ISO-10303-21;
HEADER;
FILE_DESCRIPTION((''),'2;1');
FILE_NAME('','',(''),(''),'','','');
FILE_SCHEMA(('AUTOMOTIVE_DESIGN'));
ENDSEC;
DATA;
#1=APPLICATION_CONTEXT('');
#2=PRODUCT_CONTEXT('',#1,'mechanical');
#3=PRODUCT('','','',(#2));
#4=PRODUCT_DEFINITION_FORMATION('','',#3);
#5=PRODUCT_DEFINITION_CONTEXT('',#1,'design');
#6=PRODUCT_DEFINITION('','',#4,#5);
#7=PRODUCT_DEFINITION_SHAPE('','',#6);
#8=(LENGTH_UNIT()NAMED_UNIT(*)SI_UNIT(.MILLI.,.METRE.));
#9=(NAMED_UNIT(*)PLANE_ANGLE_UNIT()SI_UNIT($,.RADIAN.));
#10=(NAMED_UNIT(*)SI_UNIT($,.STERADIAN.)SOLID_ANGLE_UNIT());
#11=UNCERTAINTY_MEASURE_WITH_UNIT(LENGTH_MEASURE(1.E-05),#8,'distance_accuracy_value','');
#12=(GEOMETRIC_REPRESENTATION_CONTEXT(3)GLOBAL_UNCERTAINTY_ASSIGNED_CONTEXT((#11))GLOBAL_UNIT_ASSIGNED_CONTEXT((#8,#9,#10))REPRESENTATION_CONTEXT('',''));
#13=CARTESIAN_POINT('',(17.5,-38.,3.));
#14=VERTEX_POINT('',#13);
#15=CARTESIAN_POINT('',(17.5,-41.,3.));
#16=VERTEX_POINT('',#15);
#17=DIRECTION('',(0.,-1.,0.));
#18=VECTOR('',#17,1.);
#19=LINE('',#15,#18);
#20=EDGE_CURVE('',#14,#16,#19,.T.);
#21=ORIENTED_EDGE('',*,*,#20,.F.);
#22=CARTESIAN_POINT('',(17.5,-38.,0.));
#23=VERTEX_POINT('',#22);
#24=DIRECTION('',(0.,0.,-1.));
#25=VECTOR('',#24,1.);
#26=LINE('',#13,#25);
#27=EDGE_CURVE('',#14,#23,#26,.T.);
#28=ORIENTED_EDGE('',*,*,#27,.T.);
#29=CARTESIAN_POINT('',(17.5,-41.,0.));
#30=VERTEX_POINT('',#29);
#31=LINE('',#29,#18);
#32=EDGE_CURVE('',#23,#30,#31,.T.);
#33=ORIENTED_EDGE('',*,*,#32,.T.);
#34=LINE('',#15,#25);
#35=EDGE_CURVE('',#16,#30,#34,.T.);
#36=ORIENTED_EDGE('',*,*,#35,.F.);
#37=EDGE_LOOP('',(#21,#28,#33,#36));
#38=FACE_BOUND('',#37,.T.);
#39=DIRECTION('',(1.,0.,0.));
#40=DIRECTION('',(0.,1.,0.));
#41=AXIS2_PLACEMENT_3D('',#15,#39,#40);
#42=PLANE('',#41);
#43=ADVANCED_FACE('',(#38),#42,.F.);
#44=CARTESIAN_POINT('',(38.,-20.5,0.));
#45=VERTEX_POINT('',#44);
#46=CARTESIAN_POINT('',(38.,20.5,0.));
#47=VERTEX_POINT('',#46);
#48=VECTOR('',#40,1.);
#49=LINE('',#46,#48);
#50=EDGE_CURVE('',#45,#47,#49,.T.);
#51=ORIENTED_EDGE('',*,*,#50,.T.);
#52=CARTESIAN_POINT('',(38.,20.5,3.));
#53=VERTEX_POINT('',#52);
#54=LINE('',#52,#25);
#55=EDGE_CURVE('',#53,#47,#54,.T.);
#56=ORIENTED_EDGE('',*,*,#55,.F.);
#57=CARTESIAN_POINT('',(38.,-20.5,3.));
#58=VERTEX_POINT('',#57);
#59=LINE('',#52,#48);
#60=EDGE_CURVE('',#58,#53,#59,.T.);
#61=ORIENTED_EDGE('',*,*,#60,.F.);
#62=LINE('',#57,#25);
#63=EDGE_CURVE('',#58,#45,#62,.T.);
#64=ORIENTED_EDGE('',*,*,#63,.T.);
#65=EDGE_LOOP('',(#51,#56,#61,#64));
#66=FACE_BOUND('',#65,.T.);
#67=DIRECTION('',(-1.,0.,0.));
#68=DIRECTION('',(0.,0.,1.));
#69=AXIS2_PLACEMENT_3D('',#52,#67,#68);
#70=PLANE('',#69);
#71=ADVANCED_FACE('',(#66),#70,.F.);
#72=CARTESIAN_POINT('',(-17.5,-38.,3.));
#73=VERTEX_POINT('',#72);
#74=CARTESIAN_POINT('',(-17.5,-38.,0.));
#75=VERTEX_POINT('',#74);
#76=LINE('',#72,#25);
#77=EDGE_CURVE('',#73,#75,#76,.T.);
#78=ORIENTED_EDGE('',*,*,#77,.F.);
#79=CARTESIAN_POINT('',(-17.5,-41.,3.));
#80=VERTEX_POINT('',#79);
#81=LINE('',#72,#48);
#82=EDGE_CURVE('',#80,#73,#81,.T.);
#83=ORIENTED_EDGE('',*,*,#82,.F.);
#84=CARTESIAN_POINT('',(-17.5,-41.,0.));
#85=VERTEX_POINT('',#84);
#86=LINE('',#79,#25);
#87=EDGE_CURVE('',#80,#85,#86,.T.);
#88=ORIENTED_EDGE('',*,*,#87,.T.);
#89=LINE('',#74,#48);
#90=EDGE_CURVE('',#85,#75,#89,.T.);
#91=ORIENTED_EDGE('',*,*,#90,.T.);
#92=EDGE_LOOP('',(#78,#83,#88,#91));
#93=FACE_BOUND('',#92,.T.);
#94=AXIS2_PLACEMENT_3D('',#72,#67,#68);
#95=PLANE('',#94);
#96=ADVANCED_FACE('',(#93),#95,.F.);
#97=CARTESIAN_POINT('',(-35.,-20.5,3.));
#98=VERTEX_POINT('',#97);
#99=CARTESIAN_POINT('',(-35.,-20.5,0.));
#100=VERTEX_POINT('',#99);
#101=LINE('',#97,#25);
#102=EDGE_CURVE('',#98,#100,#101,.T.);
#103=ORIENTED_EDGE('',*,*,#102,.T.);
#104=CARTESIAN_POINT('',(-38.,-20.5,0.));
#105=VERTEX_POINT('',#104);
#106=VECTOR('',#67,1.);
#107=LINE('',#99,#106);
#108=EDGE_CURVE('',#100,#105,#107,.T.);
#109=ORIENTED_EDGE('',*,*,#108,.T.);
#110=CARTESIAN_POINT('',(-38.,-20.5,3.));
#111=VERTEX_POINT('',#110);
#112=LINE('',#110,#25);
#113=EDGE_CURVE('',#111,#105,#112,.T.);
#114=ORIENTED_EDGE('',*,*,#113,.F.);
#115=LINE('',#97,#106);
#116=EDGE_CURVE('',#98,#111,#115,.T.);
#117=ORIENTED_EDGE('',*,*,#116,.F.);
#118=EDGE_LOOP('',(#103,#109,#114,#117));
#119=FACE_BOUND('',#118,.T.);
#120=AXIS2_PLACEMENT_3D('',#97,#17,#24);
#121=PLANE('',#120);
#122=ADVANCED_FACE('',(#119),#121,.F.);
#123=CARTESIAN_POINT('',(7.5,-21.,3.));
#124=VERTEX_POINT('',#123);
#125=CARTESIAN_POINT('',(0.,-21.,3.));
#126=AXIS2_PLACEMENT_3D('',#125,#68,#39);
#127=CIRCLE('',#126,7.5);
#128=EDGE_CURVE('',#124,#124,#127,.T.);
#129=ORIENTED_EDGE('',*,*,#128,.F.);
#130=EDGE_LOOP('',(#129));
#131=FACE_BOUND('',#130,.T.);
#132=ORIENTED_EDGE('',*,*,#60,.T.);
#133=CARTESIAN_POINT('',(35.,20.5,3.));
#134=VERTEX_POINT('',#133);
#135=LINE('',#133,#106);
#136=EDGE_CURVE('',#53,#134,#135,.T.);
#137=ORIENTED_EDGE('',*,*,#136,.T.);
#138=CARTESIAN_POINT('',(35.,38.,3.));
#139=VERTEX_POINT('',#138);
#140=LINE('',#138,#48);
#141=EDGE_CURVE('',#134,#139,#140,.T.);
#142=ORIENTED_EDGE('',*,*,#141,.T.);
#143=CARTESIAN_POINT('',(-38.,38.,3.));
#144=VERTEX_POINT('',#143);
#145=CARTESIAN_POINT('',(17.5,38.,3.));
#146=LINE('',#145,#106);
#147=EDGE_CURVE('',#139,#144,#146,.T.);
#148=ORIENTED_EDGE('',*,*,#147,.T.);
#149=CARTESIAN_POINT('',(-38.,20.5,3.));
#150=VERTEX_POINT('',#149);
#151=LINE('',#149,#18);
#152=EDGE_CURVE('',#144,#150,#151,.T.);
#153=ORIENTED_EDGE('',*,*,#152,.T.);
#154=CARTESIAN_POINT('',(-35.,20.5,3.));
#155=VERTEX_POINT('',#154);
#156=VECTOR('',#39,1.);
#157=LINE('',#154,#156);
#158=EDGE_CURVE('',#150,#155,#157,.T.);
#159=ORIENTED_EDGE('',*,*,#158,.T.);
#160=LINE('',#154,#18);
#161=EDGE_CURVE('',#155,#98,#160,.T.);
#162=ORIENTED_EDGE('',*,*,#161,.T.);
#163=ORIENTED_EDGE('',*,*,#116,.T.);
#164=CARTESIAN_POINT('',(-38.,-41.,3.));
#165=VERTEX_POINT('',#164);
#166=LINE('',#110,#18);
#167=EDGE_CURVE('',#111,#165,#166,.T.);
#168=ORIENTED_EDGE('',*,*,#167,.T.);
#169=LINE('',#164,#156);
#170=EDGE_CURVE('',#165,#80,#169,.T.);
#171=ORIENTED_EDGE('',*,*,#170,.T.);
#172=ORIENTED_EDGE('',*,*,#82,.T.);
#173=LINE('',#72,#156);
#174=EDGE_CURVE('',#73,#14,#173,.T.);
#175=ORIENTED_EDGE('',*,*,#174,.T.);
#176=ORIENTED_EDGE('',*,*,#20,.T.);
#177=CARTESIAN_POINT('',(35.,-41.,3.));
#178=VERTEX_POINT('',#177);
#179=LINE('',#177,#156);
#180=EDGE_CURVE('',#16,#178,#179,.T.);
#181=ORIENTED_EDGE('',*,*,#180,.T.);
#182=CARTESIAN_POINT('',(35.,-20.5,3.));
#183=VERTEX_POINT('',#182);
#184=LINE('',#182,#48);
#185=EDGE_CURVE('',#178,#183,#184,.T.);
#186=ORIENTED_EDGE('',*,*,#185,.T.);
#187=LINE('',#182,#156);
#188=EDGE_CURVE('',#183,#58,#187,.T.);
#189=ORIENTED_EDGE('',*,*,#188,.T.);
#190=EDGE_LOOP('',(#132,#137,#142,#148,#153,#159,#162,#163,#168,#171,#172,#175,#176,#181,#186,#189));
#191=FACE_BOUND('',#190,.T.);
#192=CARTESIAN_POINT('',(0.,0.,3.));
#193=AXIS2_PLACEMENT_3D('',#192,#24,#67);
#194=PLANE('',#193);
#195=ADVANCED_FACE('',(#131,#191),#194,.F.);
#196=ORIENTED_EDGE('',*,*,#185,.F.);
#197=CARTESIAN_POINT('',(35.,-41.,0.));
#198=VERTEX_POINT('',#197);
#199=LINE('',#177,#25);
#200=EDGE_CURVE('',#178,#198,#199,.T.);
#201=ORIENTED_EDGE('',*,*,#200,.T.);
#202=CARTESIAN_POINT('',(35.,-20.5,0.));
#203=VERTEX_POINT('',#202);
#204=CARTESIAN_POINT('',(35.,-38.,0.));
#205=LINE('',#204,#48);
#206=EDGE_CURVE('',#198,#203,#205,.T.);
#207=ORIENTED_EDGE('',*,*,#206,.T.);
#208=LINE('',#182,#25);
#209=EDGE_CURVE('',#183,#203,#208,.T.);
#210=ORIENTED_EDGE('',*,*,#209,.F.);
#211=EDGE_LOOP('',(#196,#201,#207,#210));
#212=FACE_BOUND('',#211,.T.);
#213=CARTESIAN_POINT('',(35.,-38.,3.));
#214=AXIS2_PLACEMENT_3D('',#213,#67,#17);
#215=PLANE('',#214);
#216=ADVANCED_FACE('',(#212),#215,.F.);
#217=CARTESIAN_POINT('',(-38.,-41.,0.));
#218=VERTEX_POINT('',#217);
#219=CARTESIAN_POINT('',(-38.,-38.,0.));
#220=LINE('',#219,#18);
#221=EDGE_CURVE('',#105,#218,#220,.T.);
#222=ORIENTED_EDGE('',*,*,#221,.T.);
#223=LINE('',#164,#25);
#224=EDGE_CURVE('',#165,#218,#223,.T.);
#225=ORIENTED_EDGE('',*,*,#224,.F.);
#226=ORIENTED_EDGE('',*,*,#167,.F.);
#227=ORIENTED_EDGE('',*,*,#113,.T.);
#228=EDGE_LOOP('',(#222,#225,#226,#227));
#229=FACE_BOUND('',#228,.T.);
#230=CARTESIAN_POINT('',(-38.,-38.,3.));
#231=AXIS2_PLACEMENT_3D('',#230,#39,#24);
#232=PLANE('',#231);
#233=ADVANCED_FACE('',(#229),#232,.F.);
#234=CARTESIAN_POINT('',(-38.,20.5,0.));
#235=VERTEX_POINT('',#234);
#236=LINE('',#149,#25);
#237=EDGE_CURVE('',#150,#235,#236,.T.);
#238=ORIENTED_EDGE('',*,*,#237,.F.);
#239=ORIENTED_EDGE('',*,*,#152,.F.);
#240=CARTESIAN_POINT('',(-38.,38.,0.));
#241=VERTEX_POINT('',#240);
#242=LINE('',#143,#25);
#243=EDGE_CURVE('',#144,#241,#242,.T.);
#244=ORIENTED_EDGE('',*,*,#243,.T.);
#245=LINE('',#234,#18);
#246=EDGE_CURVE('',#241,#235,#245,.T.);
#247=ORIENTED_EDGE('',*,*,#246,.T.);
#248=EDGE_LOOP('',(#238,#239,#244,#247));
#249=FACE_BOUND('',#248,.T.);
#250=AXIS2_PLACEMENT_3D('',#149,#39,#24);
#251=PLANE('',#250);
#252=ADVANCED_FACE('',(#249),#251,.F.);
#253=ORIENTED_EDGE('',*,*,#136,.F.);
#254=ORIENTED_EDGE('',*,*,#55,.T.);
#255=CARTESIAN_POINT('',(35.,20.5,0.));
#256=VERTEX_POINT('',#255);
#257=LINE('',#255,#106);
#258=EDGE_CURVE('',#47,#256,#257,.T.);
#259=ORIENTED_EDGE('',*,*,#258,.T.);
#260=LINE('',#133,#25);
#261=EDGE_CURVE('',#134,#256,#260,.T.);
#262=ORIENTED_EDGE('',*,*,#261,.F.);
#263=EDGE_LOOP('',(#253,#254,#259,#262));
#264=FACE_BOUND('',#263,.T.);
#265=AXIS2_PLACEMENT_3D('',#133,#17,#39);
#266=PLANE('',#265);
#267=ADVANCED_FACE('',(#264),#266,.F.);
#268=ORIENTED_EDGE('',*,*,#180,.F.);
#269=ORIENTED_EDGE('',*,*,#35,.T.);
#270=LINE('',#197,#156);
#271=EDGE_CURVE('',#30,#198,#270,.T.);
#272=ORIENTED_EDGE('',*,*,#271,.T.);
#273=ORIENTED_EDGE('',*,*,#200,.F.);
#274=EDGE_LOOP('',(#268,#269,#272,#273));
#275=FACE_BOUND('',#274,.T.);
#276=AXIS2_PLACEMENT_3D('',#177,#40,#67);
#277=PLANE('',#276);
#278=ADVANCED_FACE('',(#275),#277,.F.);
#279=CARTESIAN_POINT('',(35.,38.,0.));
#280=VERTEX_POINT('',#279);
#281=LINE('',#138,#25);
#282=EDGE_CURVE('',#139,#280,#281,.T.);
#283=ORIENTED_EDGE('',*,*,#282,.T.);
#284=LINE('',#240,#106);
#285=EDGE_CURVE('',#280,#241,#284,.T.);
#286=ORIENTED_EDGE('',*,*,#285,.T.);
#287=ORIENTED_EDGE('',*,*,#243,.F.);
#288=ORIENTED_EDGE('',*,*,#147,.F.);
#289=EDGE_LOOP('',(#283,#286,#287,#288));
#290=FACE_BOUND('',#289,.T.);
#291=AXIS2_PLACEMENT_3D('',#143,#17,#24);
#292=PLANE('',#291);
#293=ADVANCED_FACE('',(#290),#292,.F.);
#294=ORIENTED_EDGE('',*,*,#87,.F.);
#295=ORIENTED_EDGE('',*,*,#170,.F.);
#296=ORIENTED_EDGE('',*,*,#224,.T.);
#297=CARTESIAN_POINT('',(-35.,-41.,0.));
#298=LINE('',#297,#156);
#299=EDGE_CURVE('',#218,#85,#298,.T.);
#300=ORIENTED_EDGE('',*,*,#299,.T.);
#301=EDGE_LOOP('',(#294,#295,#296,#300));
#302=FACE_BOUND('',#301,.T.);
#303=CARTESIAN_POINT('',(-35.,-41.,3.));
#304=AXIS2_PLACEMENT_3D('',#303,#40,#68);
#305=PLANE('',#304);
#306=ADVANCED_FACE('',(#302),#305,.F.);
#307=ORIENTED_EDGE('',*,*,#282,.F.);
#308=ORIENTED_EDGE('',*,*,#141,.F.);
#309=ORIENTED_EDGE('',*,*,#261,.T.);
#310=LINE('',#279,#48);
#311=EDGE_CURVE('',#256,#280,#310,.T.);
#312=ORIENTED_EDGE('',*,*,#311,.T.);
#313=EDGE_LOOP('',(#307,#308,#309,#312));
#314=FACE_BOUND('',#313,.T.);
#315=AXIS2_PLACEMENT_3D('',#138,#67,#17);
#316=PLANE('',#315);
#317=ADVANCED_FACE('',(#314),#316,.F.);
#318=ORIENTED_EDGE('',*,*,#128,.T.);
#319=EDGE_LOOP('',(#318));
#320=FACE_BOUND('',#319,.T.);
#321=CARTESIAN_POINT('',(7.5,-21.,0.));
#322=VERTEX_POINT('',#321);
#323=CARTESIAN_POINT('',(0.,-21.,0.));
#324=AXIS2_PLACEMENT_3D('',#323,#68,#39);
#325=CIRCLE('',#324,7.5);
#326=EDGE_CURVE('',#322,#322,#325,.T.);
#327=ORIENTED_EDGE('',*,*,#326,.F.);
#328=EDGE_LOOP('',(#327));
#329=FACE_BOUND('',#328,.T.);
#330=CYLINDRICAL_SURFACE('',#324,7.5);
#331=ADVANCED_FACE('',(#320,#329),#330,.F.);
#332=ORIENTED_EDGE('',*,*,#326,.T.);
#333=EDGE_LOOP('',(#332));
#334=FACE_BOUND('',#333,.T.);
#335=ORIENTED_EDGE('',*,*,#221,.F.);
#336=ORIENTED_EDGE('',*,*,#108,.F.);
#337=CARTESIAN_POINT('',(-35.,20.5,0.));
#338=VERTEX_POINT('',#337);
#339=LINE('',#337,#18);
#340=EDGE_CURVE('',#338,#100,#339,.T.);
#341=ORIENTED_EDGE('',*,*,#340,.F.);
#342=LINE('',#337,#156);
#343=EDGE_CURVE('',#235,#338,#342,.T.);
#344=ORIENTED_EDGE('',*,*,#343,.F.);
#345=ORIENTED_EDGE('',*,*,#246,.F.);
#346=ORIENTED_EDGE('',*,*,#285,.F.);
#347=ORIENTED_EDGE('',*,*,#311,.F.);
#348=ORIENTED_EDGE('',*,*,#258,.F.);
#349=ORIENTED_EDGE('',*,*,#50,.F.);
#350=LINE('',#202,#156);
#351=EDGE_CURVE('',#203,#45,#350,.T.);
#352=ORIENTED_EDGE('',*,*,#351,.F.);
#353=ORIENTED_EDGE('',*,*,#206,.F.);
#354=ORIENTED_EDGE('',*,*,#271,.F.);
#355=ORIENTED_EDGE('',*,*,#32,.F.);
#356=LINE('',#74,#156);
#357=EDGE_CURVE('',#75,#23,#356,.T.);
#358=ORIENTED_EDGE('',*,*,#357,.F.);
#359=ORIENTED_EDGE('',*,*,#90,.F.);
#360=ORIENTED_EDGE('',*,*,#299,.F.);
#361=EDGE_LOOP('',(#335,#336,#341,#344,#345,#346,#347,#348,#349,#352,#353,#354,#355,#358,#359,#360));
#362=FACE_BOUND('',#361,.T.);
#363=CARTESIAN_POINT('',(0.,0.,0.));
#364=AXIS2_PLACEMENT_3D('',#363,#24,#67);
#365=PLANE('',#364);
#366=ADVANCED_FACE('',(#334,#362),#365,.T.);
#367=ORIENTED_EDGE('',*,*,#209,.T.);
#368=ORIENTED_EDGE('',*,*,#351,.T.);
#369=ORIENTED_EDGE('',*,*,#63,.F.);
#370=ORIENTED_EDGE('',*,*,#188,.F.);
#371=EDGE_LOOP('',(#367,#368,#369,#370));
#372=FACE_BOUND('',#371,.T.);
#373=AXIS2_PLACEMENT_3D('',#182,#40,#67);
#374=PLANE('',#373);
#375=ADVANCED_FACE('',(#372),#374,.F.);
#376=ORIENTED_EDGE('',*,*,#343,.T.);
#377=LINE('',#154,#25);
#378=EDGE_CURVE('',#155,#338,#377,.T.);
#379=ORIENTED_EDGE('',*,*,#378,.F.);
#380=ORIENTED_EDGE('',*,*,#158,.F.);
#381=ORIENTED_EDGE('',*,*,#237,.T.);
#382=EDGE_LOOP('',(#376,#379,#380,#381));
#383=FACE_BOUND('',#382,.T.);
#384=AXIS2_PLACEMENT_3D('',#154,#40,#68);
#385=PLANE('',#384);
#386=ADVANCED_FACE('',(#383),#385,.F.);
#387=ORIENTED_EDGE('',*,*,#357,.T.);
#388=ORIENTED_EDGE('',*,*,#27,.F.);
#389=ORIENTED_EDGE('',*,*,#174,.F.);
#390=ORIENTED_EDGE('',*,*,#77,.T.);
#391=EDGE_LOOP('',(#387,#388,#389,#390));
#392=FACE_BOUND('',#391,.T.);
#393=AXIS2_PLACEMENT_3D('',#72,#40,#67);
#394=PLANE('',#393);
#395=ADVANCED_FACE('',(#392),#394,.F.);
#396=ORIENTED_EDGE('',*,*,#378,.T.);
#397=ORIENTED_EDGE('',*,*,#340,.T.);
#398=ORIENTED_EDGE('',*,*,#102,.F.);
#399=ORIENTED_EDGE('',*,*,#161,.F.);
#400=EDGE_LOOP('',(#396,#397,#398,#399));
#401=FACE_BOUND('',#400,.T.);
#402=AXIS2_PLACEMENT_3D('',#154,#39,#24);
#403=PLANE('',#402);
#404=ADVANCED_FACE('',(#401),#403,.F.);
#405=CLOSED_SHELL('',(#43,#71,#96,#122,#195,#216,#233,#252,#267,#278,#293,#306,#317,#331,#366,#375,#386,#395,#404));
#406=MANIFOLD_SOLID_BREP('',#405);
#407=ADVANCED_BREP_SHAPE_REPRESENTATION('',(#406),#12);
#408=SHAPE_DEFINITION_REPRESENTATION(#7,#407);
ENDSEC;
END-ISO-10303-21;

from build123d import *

# Parameters (mm, degrees)
BOSS_EXTRUDE1_DEPTH = 3
SKETCH2_R           = 7.5
CUT_EXTRUDE1_DEPTH  = 3


with BuildPart() as part:
    # Sketch1 → Boss-Extrude1 (new body)
    with BuildSketch(Plane.XY):
        Polygon((-35, 38), (-17.5, 38), (17.5, 38), (35, 38), (35, 20.5), (38, 20.5), (38, -20.5), (35, -20.5), (35, -38), (35, -41), (17.5, -41), (17.5, -38), (-17.5, -38), (-17.5, -41), (-35, -41), (-38, -41), (-38, -38), (-38, -20.5), (-35, -20.5), (-35, 20.5), (-38, 20.5), (-38, 38), align=None)
    extrude(amount=BOSS_EXTRUDE1_DEPTH)

    # Sketch2 → Cut-Extrude1 (cut)
    with BuildSketch(Plane.XY.offset(3)):
        with Locations((0, -21)):
            Circle(SKETCH2_R)
    extrude(amount=-CUT_EXTRUDE1_DEPTH, mode=Mode.SUBTRACT)


solid = part.part
